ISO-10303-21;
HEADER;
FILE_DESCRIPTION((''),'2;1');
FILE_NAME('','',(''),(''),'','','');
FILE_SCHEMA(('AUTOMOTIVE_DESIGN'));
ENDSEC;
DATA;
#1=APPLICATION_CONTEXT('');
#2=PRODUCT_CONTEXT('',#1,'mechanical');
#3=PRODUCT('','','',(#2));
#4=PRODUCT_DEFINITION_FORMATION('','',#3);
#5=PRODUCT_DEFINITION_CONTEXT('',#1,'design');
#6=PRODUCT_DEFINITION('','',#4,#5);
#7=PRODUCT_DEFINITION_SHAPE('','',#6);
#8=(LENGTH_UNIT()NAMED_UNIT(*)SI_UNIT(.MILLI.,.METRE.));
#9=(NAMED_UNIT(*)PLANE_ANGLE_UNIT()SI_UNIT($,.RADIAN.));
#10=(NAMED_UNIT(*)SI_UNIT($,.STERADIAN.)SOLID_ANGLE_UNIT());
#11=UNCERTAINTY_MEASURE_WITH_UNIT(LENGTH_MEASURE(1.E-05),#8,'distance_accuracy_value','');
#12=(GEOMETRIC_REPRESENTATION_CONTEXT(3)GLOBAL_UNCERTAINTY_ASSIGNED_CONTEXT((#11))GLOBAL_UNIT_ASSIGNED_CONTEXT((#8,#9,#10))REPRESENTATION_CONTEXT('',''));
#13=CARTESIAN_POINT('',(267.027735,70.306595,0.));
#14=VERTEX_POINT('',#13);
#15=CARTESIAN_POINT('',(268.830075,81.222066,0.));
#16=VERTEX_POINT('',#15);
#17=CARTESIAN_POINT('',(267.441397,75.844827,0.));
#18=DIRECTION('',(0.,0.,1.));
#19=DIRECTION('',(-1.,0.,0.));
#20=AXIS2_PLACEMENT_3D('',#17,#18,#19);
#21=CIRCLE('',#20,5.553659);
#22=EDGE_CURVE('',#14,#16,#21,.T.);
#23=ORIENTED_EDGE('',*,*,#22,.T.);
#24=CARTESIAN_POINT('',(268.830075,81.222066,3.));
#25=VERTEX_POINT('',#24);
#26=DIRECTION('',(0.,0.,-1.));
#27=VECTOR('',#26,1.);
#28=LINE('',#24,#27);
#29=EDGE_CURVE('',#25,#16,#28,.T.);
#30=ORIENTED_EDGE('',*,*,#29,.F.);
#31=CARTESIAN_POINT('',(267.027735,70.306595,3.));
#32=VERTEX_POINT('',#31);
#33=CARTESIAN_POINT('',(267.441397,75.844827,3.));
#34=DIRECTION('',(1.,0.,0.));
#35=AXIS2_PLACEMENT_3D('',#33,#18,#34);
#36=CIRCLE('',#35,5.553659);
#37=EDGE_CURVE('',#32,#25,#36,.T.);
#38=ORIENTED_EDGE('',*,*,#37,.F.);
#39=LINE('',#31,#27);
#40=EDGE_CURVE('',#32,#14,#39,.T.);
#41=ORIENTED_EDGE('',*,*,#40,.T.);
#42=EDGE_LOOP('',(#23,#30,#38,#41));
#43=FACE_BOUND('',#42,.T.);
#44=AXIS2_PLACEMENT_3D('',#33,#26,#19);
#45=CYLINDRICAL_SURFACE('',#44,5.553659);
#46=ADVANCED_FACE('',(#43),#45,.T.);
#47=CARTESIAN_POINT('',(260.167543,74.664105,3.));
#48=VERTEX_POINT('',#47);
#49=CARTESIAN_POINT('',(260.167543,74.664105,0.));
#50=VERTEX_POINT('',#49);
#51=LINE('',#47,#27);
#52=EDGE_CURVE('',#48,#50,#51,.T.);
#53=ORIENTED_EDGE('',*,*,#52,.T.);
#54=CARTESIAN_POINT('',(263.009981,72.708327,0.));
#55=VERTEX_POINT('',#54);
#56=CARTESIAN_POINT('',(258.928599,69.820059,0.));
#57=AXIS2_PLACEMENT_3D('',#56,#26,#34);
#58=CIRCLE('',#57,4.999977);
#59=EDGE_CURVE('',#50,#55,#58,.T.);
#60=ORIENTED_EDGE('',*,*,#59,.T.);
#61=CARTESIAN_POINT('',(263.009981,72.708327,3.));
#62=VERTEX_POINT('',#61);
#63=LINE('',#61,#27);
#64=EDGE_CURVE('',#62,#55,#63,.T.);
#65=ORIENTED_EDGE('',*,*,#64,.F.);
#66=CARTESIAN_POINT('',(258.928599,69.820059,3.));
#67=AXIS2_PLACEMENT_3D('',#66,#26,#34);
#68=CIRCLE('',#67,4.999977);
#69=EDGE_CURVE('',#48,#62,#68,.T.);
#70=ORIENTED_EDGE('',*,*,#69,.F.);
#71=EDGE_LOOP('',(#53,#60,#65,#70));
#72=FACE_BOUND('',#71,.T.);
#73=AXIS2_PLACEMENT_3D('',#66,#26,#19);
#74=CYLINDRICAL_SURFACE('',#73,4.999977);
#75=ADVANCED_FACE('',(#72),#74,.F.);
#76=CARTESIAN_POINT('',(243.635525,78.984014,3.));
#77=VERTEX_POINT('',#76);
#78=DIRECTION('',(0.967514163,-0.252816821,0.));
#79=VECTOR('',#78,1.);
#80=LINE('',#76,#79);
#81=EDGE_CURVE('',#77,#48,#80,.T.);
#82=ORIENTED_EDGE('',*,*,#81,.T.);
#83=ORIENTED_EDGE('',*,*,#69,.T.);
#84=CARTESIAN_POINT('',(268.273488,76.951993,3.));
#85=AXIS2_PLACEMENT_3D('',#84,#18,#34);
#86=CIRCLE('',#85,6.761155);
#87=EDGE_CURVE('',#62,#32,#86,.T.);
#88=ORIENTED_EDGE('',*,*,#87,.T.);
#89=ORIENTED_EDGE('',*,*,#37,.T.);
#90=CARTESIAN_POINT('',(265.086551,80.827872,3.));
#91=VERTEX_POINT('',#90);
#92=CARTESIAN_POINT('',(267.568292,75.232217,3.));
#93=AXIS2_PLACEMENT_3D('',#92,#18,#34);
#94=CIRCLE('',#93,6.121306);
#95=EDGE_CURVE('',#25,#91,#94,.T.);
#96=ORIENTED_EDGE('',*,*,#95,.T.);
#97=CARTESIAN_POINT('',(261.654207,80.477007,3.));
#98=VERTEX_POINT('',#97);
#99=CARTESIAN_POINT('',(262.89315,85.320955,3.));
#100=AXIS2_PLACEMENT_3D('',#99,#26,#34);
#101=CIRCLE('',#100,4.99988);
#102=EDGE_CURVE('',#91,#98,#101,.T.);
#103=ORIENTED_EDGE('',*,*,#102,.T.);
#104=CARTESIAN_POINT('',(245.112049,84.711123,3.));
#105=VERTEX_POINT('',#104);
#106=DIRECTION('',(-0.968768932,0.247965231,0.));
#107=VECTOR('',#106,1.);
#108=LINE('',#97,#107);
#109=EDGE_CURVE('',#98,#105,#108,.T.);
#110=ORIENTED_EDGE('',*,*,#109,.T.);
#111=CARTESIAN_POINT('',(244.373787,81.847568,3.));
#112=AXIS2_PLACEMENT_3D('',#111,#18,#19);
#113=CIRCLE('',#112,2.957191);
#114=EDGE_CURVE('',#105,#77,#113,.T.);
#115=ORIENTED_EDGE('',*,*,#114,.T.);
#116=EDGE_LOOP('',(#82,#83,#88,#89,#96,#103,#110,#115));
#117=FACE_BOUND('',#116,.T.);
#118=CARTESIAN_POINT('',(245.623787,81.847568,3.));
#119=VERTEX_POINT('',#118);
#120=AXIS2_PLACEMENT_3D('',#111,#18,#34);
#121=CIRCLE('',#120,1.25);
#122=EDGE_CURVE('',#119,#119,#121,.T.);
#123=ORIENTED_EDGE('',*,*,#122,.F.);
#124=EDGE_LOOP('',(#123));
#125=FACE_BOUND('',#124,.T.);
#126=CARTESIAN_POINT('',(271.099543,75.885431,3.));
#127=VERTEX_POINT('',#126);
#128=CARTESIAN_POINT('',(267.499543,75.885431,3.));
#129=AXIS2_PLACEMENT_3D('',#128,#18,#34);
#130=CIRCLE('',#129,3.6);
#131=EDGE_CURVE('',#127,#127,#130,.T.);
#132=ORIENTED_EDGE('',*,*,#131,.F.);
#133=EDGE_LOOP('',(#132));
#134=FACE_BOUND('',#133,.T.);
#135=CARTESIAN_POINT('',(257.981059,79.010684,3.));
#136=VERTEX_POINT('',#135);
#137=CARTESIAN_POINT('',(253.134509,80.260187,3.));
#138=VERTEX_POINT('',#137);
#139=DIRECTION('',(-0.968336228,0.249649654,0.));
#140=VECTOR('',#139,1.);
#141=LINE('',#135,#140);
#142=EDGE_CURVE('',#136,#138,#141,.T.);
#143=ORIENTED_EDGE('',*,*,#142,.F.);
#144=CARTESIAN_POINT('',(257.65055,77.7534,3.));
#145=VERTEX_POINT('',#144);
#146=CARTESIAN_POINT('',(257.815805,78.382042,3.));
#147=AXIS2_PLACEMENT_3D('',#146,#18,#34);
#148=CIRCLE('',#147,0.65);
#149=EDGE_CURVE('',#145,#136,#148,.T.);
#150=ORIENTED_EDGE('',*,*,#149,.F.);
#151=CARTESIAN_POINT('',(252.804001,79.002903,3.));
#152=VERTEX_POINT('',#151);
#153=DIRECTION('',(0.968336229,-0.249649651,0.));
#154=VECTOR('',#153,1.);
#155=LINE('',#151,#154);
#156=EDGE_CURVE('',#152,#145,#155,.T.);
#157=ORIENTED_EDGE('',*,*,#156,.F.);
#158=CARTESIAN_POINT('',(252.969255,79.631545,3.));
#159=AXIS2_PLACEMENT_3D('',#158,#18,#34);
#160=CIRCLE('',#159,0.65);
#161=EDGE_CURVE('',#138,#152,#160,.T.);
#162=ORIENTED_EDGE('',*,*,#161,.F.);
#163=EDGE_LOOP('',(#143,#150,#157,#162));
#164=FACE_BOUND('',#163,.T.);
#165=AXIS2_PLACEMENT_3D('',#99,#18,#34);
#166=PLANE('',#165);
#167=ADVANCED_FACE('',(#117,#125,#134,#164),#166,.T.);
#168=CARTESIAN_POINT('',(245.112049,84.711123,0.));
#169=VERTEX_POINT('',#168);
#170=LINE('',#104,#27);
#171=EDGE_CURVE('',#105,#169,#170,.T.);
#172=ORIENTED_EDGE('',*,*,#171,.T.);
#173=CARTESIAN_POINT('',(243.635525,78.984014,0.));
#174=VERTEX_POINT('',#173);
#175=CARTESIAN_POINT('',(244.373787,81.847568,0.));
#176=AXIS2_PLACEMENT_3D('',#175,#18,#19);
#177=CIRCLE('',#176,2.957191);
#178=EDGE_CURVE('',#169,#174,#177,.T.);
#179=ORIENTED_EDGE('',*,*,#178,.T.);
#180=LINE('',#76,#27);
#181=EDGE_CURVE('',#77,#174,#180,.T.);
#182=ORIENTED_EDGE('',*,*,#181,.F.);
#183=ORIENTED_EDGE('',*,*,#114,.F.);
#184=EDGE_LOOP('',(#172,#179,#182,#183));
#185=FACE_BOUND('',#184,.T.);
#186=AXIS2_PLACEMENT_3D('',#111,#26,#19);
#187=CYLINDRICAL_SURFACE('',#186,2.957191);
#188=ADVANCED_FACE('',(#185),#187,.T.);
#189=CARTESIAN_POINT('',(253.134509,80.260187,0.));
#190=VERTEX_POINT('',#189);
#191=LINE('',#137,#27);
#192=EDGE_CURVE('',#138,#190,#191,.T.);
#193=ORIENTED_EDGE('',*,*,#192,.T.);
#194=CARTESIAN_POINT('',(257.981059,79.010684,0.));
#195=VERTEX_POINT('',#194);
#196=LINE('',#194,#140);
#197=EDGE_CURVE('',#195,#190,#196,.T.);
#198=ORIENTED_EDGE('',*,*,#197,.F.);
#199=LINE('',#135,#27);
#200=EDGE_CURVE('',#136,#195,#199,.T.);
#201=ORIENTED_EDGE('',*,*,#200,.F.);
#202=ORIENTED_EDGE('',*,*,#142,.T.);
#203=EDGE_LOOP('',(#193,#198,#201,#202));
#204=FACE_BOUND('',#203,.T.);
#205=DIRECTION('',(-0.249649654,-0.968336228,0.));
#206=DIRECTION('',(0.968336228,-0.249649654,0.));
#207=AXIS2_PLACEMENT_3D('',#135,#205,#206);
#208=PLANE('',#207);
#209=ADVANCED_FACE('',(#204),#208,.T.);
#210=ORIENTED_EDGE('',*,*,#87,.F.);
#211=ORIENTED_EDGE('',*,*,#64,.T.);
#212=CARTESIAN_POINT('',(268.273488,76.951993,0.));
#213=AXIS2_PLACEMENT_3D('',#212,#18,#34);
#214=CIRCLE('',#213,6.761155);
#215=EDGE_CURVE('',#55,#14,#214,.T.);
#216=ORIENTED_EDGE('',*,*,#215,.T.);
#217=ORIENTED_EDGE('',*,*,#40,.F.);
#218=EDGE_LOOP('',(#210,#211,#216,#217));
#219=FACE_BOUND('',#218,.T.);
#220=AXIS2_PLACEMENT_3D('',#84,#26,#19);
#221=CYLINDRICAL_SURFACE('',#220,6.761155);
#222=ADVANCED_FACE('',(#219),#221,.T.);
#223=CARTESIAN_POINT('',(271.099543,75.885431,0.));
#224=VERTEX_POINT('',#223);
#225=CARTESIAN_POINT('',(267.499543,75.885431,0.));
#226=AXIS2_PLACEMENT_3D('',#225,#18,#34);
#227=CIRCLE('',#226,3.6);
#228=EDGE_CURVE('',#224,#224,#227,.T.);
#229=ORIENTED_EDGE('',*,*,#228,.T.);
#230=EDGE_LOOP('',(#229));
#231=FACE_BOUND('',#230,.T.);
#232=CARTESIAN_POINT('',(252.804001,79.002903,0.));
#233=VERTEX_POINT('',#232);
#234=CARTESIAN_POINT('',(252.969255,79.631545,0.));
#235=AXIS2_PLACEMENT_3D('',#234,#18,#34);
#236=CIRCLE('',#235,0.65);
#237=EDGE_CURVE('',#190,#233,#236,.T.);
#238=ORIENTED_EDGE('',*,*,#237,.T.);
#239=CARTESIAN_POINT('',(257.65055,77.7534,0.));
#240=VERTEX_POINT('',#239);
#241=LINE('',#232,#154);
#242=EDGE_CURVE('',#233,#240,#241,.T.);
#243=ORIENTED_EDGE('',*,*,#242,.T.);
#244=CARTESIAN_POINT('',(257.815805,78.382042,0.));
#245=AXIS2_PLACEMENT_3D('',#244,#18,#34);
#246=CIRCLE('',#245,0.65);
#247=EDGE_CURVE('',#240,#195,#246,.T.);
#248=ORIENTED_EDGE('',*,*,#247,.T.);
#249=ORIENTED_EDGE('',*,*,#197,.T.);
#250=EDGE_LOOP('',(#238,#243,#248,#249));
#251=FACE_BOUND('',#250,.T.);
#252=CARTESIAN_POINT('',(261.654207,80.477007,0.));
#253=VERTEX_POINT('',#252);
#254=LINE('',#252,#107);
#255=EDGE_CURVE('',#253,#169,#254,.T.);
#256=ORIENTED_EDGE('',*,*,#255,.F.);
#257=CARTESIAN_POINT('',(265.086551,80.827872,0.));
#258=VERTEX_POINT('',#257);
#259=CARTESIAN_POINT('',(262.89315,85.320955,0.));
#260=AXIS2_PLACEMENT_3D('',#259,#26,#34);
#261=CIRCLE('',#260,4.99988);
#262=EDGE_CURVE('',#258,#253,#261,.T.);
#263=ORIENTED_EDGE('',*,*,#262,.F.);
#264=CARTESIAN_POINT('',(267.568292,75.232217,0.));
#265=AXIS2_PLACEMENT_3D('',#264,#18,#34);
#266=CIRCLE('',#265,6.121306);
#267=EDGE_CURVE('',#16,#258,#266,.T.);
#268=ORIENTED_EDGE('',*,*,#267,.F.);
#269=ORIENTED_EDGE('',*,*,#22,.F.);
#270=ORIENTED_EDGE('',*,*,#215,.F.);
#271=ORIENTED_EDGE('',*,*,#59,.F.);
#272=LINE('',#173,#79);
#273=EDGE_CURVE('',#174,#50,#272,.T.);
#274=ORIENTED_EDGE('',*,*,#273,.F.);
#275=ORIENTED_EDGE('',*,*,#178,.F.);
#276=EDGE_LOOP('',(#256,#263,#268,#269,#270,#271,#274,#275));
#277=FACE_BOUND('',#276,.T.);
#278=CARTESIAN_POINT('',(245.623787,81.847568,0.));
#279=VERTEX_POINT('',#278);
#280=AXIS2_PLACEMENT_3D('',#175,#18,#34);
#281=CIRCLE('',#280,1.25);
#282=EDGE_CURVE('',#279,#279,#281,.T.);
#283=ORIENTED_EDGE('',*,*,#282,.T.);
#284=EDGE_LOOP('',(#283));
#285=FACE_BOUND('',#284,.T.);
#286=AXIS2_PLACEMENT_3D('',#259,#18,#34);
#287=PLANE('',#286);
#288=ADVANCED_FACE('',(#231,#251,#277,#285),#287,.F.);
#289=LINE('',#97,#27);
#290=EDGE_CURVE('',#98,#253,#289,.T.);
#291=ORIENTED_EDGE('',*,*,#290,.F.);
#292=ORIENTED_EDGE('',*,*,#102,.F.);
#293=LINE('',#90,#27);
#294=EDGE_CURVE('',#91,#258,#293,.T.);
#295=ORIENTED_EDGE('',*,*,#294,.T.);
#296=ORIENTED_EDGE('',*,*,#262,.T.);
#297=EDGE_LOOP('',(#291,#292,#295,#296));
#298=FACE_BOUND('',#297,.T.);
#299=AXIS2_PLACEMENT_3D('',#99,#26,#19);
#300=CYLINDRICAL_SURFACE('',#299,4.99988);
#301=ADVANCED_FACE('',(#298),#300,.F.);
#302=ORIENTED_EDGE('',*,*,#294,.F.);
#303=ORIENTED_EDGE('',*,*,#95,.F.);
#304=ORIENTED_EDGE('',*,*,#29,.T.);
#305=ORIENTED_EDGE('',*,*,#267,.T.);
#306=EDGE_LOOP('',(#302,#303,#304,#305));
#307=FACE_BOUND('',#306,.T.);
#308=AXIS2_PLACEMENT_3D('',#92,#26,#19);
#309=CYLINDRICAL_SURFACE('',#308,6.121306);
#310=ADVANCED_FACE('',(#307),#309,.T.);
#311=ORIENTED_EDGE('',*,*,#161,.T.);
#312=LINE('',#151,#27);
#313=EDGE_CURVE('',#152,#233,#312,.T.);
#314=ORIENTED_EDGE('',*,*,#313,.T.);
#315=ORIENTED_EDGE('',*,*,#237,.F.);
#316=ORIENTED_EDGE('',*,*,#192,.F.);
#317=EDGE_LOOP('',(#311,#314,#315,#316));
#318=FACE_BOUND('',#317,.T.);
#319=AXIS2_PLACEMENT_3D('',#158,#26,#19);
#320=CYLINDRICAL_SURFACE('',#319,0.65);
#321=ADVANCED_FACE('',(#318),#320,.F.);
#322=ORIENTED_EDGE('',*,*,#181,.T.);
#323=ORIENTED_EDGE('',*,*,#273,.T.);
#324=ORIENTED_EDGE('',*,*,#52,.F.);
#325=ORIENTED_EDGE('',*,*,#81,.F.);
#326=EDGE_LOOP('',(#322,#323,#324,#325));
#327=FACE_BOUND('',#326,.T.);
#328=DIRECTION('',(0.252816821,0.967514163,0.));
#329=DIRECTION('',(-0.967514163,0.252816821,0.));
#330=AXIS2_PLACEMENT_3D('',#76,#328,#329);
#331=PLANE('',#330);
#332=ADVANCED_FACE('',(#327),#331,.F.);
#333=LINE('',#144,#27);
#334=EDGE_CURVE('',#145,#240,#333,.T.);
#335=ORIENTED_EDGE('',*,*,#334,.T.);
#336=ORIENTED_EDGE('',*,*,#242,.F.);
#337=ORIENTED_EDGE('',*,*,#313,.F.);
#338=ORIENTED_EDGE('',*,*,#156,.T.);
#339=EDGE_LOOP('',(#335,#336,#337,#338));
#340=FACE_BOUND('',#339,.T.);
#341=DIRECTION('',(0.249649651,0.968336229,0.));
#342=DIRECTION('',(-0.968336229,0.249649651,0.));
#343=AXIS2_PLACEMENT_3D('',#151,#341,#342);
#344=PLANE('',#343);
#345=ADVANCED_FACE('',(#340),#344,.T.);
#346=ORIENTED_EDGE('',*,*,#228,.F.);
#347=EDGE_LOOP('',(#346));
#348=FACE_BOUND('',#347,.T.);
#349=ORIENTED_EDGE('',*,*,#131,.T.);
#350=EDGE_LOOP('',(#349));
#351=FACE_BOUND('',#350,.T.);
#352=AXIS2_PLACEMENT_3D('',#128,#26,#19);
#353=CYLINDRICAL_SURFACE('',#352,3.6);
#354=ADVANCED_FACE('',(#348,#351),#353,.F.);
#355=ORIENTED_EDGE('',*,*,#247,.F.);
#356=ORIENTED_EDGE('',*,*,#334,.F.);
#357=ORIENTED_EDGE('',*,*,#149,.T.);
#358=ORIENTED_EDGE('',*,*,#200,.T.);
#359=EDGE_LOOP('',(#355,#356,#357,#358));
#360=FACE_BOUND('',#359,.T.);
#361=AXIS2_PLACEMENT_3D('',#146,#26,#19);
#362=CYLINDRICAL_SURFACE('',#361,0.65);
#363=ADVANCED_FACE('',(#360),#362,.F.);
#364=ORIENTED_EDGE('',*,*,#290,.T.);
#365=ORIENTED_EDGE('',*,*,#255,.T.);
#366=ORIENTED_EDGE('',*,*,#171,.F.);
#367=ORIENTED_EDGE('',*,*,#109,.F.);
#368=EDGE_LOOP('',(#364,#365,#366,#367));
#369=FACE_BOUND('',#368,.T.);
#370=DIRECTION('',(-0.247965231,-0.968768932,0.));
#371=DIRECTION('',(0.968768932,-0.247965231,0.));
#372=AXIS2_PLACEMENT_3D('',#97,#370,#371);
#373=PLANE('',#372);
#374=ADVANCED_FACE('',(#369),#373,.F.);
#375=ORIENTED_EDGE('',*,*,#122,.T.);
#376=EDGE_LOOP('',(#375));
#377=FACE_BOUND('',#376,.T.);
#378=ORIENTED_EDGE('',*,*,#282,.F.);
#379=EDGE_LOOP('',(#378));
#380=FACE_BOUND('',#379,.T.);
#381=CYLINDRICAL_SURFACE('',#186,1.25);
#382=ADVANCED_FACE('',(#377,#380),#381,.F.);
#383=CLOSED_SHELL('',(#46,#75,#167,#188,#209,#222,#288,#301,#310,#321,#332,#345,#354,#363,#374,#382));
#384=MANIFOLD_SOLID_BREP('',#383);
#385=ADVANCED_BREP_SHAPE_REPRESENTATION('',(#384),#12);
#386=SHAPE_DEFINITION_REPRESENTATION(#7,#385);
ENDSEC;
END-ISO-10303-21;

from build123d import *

# Parameters (mm, degrees)
SKETCH_1_R      = 3.6
SKETCH_1_R_2    = 1.25
EXTRUDE_1_DEPTH = 3


with BuildPart() as part:
    # 草圖1 → 填料-伸長1 (new body)
    with BuildSketch(Plane.XY):
        with BuildLine():
            Line((243.635524691, 78.984013539), (260.167543031, 74.664105375))
            ThreePointArc((260.167543031, 74.664105375), (261.762807038, 73.939164867), (263.0099811, 72.708326596))
            ThreePointArc((263.0099811, 72.708326596), (264.804382383, 71.148673452), (267.027735224, 70.306595047))
            ThreePointArc((267.027735224, 70.306595047), (267.669348827, 70.295848059), (268.307919069, 70.359184927))
            ThreePointArc((268.307919069, 70.359184927), (271.821757968, 72.430801884), (272.972563608, 76.344151728))
            ThreePointArc((272.972563608, 76.344151728), (271.674549014, 79.439761285), (268.83007541, 81.222066065))
            ThreePointArc((268.83007541, 81.222066065), (266.927260325, 81.319865813), (265.086550743, 80.827871636))
            ThreePointArc((265.086550743, 80.827871636), (263.401602385, 80.346994525), (261.654207062, 80.477007409))
            Line((261.654207062, 80.477007409), (245.112048777, 84.71112347))
            ThreePointArc((245.112048777, 84.71112347), (241.510232103, 82.585830461), (243.635524691, 78.984013539))
        make_face()
        with Locations((267.499543018, 75.885430609)):
            Circle(SKETCH_1_R, mode=Mode.SUBTRACT)
        with Locations((244.373787095, 81.847568395)):
            Circle(SKETCH_1_R_2, mode=Mode.SUBTRACT)
        with BuildLine():
            Line((257.981059369, 79.010683825), (253.134508891, 80.260187472))
            ThreePointArc((253.134508891, 80.260187472), (252.340612803, 79.796798865), (252.80400141, 79.002902777))
            Line((252.80400141, 79.002902777), (257.650550117, 77.753399602))
            ThreePointArc((257.650550117, 77.753399602), (258.444446854, 78.216787087), (257.981059369, 79.010683825))
        make_face(mode=Mode.SUBTRACT)
    extrude(amount=EXTRUDE_1_DEPTH)


solid = part.part
